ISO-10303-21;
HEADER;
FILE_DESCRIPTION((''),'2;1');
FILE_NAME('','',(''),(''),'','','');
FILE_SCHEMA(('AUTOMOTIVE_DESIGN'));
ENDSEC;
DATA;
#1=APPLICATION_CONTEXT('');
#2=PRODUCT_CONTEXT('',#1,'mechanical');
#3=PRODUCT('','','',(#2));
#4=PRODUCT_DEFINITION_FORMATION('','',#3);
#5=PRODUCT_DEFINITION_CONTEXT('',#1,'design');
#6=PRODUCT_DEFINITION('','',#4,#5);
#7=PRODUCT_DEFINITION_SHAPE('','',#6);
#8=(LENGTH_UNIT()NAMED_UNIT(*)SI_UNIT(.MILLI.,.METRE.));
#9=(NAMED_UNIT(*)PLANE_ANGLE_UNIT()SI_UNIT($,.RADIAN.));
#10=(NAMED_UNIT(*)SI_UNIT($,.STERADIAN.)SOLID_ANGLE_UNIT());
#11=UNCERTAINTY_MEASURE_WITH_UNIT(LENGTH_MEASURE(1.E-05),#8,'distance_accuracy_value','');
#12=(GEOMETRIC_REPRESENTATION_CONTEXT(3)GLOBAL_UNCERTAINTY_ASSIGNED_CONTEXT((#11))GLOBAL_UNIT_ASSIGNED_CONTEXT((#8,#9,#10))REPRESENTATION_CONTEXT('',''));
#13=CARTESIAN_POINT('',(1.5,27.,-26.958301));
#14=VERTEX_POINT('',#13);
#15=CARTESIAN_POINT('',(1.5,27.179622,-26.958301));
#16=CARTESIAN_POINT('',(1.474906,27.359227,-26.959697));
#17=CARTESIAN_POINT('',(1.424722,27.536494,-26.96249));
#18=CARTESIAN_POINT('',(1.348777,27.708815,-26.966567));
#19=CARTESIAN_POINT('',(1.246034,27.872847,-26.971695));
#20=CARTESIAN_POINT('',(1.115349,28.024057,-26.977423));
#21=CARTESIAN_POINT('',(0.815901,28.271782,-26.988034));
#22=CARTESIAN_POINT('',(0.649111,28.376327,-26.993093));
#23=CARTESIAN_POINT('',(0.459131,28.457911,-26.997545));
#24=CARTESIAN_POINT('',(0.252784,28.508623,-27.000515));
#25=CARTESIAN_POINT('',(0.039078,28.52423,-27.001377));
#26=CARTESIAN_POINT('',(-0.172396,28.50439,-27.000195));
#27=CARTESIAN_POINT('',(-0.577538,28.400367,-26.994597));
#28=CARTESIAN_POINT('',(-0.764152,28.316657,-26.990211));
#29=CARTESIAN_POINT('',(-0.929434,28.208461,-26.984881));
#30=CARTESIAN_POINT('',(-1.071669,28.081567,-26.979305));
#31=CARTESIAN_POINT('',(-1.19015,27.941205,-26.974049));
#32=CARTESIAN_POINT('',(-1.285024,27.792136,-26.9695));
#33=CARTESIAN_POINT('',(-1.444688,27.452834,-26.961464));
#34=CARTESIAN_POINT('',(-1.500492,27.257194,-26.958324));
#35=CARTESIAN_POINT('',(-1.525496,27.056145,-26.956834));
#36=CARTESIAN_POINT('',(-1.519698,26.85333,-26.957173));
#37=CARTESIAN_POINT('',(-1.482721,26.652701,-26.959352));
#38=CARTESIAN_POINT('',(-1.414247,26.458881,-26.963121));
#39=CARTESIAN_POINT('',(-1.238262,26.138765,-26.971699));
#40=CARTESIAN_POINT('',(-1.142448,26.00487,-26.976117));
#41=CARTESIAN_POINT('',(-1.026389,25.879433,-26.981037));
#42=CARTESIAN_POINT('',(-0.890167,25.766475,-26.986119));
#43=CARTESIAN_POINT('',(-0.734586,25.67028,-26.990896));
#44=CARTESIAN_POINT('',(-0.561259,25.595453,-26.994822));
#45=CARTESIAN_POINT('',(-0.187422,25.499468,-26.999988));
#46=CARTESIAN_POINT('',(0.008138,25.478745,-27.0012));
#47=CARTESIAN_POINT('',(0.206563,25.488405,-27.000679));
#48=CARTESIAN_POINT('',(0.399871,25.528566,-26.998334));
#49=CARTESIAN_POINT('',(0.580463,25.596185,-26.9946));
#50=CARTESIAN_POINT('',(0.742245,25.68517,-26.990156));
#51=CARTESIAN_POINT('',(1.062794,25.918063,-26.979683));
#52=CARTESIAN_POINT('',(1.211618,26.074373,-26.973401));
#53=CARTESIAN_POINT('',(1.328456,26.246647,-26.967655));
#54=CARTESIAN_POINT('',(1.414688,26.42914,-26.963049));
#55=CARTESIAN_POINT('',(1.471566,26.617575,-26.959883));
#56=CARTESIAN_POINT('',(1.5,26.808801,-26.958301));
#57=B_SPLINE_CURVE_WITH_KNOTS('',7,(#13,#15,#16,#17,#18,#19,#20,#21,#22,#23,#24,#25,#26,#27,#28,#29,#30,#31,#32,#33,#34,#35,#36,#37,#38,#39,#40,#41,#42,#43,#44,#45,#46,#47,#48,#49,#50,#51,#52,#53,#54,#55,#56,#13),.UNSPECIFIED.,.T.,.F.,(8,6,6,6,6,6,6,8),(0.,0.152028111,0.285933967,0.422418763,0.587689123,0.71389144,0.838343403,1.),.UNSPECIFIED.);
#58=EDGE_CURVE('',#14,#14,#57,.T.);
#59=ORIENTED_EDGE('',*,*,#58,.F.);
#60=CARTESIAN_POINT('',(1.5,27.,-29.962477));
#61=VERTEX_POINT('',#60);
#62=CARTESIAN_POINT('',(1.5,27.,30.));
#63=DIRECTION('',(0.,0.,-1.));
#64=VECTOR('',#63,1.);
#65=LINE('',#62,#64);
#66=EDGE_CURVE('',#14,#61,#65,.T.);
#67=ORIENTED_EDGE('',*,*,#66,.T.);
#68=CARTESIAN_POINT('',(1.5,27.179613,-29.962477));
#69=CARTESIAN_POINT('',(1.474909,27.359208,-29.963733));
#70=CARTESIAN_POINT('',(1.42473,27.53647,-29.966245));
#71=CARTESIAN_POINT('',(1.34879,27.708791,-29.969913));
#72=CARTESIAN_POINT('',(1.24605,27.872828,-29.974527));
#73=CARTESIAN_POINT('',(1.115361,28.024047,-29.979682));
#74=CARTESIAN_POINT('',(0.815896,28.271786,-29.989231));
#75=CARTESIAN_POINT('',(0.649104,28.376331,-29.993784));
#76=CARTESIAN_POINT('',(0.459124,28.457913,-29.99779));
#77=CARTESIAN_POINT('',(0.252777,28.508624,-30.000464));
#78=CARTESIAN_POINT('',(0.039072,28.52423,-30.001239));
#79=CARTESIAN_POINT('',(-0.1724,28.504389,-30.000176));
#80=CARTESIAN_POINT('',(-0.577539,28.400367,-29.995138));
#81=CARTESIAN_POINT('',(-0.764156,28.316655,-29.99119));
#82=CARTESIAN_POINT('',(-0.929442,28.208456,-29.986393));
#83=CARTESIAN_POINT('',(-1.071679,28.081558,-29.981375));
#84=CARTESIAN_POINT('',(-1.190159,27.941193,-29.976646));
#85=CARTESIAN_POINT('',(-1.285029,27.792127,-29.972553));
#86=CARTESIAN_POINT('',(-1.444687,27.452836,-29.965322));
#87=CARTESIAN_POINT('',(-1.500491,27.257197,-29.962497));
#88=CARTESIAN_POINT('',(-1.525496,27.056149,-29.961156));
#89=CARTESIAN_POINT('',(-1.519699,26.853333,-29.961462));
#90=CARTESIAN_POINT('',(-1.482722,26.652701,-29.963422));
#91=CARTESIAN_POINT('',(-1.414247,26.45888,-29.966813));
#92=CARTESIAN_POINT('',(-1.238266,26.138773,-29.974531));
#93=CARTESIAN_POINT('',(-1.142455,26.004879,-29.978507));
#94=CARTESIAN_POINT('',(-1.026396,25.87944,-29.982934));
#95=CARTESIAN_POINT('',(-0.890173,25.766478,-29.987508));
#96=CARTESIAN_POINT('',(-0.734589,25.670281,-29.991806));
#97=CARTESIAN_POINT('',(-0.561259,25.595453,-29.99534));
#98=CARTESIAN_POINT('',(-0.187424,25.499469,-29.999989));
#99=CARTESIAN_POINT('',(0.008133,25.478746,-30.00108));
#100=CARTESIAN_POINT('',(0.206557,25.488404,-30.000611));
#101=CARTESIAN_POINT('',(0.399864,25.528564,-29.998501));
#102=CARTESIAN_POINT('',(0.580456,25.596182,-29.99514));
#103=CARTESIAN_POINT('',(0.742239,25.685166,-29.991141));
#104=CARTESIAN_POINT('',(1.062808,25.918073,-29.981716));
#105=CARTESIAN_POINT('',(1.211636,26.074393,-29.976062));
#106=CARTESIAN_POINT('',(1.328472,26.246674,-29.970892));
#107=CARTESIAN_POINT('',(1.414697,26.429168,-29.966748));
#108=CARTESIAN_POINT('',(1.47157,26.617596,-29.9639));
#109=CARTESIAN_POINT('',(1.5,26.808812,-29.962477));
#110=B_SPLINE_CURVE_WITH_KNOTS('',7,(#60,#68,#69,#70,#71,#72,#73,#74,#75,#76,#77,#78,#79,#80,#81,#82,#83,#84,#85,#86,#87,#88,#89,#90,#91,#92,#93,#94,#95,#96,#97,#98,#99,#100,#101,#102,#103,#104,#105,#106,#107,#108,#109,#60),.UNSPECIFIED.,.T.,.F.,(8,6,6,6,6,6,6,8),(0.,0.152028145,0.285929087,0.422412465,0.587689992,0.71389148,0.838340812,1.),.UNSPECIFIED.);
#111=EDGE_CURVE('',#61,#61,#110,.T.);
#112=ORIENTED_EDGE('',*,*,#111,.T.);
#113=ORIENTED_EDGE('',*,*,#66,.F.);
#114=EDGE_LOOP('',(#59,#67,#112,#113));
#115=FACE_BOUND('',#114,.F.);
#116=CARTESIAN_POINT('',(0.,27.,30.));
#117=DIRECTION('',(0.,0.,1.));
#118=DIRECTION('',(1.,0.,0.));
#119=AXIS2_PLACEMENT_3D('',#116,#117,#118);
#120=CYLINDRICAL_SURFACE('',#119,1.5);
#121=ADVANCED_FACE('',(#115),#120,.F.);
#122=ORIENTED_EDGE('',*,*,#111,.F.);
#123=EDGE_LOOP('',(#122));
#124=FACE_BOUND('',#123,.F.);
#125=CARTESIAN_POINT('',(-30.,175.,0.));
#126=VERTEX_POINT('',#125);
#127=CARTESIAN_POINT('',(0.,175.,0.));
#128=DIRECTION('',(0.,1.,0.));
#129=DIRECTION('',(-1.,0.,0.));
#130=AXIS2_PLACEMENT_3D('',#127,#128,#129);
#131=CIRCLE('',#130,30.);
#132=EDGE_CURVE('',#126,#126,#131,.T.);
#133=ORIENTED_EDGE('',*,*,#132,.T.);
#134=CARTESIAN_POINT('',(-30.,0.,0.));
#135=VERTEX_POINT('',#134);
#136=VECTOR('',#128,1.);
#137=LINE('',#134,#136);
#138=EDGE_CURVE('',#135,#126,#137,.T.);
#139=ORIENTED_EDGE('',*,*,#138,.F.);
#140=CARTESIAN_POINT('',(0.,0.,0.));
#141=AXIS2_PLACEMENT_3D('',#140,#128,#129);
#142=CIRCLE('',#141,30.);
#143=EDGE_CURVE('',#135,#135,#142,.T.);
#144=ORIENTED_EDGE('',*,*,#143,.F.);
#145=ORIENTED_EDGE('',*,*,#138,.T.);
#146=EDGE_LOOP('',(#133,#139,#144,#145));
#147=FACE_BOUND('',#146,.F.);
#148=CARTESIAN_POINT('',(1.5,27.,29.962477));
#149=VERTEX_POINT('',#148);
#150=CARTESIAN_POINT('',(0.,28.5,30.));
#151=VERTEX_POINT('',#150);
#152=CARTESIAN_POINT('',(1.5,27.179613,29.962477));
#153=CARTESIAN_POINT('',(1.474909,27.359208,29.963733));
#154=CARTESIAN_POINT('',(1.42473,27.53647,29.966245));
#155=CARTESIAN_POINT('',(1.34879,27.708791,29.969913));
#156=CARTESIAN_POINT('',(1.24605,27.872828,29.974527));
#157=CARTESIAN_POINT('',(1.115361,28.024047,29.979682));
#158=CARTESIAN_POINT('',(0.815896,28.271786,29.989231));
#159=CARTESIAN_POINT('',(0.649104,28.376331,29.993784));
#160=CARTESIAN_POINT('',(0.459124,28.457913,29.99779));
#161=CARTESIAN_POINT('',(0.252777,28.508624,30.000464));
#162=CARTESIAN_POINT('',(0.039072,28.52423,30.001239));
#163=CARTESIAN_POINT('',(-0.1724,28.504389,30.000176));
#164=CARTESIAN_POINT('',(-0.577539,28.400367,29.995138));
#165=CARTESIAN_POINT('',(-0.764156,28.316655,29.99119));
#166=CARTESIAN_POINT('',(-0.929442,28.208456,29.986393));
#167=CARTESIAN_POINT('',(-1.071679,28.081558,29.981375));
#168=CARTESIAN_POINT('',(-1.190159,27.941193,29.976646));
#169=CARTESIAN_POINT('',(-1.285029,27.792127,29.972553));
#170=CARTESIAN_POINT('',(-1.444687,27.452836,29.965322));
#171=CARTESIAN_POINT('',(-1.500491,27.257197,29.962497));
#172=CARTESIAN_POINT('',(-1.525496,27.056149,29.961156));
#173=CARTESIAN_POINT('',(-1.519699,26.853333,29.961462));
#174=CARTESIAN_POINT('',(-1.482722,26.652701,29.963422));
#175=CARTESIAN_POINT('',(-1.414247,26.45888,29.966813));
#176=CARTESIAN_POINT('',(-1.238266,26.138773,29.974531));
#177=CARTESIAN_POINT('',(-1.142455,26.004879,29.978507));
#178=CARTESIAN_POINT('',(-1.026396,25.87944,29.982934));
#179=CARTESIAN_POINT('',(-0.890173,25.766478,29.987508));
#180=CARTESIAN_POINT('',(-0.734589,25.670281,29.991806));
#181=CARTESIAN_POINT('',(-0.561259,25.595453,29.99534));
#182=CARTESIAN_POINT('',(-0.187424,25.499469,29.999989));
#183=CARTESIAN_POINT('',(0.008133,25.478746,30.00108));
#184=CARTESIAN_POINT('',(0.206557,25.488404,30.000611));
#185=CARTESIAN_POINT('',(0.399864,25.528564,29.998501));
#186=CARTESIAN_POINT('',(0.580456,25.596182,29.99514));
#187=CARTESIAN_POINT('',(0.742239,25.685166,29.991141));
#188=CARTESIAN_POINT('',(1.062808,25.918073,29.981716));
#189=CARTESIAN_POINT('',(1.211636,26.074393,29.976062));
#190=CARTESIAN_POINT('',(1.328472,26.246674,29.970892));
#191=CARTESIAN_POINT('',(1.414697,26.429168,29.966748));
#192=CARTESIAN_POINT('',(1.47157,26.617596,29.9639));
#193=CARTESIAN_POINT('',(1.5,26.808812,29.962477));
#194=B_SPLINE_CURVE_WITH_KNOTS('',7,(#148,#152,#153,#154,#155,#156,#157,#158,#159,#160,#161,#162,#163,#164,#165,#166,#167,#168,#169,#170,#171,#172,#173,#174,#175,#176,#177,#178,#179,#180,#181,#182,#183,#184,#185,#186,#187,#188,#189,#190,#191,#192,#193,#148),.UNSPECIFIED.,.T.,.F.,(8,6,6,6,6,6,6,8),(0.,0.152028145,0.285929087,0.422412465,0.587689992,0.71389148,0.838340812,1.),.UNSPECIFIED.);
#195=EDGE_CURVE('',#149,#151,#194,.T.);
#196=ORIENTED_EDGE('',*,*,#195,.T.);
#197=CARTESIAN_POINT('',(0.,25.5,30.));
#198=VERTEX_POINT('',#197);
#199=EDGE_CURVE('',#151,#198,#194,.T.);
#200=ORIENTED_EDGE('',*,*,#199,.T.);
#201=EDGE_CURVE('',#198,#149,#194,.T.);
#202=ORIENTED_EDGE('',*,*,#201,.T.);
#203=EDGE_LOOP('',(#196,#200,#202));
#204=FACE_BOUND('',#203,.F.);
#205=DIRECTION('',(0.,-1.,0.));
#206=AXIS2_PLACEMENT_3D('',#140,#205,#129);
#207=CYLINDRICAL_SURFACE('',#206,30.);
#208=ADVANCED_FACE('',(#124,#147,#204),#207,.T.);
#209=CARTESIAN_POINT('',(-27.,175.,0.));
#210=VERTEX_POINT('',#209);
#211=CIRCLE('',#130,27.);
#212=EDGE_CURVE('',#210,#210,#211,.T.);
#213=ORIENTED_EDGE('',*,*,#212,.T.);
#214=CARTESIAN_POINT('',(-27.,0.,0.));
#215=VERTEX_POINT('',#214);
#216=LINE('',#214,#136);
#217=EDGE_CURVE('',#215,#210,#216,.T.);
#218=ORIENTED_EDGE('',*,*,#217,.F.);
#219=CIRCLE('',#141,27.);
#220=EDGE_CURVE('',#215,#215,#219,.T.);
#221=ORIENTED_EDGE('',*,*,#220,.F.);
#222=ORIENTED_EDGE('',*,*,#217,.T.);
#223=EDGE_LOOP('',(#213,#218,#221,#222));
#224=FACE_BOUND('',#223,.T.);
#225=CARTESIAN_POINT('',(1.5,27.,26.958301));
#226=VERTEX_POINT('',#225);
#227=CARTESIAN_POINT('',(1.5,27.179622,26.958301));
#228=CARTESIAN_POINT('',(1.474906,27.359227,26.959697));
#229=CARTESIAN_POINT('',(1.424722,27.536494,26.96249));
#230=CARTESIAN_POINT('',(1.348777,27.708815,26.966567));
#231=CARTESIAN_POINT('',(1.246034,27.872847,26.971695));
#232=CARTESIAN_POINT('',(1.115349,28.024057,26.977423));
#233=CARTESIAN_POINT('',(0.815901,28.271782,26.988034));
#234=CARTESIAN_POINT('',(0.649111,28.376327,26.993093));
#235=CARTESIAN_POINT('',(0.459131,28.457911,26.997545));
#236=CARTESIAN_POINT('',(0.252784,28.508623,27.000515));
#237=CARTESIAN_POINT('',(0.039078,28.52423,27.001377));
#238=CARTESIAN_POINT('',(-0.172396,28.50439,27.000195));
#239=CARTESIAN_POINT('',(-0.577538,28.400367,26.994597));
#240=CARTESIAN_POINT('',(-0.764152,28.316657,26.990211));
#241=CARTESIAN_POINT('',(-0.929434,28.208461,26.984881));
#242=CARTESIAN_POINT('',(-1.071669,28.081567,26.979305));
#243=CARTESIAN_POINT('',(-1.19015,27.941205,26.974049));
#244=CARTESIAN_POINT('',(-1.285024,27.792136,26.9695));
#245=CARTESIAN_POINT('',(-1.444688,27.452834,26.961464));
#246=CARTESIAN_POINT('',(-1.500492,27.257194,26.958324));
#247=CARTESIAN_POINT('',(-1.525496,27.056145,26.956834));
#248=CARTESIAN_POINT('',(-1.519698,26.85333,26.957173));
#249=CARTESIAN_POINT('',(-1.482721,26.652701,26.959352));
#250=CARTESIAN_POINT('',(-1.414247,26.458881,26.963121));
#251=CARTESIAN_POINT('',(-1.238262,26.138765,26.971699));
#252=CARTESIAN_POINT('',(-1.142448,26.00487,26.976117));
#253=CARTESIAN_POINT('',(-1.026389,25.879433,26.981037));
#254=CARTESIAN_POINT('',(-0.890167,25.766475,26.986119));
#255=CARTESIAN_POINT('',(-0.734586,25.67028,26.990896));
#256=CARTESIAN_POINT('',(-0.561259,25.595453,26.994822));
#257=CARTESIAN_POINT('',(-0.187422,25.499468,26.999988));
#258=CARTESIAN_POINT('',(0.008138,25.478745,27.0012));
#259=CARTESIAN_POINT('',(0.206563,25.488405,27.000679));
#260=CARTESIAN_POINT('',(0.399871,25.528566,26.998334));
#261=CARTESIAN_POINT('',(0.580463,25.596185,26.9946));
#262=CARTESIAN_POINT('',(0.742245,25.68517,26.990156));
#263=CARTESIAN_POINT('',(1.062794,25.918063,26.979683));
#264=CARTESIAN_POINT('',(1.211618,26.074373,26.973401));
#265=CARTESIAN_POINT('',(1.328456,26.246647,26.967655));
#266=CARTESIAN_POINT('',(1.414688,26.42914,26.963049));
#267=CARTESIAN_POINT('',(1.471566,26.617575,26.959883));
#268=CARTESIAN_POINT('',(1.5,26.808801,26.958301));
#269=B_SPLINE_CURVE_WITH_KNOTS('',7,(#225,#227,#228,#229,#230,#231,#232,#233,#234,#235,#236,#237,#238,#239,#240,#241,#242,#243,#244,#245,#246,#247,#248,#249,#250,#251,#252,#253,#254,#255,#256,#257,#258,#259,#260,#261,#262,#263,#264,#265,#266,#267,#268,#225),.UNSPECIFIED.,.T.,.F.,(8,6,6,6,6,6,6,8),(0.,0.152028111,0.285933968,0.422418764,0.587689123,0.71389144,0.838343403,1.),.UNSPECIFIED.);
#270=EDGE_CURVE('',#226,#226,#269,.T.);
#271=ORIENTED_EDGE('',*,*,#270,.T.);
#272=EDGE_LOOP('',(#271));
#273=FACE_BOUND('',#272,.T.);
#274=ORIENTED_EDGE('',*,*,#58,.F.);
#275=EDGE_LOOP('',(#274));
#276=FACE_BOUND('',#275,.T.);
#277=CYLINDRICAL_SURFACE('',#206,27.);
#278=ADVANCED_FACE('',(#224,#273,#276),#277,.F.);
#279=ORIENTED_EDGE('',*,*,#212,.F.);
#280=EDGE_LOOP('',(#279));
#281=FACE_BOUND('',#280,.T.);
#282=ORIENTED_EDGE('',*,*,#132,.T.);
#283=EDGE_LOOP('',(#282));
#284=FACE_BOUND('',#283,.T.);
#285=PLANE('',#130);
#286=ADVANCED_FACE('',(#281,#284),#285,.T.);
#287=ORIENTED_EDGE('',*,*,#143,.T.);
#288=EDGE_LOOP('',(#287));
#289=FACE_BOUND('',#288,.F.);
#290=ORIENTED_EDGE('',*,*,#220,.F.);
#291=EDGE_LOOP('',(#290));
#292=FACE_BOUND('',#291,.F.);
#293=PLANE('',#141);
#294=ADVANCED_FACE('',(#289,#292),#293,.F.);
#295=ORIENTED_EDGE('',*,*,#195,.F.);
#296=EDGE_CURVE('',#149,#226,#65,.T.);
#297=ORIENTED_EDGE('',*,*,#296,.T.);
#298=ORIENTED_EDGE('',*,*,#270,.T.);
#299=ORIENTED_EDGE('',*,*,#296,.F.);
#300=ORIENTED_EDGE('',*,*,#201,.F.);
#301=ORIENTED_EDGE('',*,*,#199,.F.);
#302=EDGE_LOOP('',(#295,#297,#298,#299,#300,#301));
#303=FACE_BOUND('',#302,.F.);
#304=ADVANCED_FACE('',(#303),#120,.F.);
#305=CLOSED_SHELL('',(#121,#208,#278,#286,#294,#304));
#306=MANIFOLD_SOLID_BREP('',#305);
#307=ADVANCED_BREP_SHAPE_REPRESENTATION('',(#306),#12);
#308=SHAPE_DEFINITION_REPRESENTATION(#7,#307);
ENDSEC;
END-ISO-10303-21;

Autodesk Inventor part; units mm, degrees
ref_plane "YZ Plane" through (0, 0, 0) normal (1, 0, 0) x (0, 1, 0)
ref_plane "XZ Plane" through (0, 0, 0) normal (0, 1, 0) x (-1, 0, 0)
sketch "Esquisse1" plane through (0, 0, 0) normal (0, 1, 0) x (-1, 0, 0)
  circle A0 centre (0, 0) radius 27
  circle A1 centre (0, 0) radius 30
  dimension "d0" = 60
  dimension "d1" = 54
extrude "Extrusion1" add sketch "Esquisse1" along normal blind 175
ref_plane "Work Plane1" through (0, 0, 30) normal (0, 0, 1) x (1, 0, 0)
sketch "Sketch2" plane through (0, 0, 30) normal (0, 0, 1) x (1, 0, 0)
  circle A0 centre (0, 27) radius 1.5
  point P0 (0, 0)
  dimension "d7" = 27
  dimension "d8" = 3
extrude "Extrusion2" cut sketch "Sketch2" against normal through all
properties part number "cylindre-stockage"
